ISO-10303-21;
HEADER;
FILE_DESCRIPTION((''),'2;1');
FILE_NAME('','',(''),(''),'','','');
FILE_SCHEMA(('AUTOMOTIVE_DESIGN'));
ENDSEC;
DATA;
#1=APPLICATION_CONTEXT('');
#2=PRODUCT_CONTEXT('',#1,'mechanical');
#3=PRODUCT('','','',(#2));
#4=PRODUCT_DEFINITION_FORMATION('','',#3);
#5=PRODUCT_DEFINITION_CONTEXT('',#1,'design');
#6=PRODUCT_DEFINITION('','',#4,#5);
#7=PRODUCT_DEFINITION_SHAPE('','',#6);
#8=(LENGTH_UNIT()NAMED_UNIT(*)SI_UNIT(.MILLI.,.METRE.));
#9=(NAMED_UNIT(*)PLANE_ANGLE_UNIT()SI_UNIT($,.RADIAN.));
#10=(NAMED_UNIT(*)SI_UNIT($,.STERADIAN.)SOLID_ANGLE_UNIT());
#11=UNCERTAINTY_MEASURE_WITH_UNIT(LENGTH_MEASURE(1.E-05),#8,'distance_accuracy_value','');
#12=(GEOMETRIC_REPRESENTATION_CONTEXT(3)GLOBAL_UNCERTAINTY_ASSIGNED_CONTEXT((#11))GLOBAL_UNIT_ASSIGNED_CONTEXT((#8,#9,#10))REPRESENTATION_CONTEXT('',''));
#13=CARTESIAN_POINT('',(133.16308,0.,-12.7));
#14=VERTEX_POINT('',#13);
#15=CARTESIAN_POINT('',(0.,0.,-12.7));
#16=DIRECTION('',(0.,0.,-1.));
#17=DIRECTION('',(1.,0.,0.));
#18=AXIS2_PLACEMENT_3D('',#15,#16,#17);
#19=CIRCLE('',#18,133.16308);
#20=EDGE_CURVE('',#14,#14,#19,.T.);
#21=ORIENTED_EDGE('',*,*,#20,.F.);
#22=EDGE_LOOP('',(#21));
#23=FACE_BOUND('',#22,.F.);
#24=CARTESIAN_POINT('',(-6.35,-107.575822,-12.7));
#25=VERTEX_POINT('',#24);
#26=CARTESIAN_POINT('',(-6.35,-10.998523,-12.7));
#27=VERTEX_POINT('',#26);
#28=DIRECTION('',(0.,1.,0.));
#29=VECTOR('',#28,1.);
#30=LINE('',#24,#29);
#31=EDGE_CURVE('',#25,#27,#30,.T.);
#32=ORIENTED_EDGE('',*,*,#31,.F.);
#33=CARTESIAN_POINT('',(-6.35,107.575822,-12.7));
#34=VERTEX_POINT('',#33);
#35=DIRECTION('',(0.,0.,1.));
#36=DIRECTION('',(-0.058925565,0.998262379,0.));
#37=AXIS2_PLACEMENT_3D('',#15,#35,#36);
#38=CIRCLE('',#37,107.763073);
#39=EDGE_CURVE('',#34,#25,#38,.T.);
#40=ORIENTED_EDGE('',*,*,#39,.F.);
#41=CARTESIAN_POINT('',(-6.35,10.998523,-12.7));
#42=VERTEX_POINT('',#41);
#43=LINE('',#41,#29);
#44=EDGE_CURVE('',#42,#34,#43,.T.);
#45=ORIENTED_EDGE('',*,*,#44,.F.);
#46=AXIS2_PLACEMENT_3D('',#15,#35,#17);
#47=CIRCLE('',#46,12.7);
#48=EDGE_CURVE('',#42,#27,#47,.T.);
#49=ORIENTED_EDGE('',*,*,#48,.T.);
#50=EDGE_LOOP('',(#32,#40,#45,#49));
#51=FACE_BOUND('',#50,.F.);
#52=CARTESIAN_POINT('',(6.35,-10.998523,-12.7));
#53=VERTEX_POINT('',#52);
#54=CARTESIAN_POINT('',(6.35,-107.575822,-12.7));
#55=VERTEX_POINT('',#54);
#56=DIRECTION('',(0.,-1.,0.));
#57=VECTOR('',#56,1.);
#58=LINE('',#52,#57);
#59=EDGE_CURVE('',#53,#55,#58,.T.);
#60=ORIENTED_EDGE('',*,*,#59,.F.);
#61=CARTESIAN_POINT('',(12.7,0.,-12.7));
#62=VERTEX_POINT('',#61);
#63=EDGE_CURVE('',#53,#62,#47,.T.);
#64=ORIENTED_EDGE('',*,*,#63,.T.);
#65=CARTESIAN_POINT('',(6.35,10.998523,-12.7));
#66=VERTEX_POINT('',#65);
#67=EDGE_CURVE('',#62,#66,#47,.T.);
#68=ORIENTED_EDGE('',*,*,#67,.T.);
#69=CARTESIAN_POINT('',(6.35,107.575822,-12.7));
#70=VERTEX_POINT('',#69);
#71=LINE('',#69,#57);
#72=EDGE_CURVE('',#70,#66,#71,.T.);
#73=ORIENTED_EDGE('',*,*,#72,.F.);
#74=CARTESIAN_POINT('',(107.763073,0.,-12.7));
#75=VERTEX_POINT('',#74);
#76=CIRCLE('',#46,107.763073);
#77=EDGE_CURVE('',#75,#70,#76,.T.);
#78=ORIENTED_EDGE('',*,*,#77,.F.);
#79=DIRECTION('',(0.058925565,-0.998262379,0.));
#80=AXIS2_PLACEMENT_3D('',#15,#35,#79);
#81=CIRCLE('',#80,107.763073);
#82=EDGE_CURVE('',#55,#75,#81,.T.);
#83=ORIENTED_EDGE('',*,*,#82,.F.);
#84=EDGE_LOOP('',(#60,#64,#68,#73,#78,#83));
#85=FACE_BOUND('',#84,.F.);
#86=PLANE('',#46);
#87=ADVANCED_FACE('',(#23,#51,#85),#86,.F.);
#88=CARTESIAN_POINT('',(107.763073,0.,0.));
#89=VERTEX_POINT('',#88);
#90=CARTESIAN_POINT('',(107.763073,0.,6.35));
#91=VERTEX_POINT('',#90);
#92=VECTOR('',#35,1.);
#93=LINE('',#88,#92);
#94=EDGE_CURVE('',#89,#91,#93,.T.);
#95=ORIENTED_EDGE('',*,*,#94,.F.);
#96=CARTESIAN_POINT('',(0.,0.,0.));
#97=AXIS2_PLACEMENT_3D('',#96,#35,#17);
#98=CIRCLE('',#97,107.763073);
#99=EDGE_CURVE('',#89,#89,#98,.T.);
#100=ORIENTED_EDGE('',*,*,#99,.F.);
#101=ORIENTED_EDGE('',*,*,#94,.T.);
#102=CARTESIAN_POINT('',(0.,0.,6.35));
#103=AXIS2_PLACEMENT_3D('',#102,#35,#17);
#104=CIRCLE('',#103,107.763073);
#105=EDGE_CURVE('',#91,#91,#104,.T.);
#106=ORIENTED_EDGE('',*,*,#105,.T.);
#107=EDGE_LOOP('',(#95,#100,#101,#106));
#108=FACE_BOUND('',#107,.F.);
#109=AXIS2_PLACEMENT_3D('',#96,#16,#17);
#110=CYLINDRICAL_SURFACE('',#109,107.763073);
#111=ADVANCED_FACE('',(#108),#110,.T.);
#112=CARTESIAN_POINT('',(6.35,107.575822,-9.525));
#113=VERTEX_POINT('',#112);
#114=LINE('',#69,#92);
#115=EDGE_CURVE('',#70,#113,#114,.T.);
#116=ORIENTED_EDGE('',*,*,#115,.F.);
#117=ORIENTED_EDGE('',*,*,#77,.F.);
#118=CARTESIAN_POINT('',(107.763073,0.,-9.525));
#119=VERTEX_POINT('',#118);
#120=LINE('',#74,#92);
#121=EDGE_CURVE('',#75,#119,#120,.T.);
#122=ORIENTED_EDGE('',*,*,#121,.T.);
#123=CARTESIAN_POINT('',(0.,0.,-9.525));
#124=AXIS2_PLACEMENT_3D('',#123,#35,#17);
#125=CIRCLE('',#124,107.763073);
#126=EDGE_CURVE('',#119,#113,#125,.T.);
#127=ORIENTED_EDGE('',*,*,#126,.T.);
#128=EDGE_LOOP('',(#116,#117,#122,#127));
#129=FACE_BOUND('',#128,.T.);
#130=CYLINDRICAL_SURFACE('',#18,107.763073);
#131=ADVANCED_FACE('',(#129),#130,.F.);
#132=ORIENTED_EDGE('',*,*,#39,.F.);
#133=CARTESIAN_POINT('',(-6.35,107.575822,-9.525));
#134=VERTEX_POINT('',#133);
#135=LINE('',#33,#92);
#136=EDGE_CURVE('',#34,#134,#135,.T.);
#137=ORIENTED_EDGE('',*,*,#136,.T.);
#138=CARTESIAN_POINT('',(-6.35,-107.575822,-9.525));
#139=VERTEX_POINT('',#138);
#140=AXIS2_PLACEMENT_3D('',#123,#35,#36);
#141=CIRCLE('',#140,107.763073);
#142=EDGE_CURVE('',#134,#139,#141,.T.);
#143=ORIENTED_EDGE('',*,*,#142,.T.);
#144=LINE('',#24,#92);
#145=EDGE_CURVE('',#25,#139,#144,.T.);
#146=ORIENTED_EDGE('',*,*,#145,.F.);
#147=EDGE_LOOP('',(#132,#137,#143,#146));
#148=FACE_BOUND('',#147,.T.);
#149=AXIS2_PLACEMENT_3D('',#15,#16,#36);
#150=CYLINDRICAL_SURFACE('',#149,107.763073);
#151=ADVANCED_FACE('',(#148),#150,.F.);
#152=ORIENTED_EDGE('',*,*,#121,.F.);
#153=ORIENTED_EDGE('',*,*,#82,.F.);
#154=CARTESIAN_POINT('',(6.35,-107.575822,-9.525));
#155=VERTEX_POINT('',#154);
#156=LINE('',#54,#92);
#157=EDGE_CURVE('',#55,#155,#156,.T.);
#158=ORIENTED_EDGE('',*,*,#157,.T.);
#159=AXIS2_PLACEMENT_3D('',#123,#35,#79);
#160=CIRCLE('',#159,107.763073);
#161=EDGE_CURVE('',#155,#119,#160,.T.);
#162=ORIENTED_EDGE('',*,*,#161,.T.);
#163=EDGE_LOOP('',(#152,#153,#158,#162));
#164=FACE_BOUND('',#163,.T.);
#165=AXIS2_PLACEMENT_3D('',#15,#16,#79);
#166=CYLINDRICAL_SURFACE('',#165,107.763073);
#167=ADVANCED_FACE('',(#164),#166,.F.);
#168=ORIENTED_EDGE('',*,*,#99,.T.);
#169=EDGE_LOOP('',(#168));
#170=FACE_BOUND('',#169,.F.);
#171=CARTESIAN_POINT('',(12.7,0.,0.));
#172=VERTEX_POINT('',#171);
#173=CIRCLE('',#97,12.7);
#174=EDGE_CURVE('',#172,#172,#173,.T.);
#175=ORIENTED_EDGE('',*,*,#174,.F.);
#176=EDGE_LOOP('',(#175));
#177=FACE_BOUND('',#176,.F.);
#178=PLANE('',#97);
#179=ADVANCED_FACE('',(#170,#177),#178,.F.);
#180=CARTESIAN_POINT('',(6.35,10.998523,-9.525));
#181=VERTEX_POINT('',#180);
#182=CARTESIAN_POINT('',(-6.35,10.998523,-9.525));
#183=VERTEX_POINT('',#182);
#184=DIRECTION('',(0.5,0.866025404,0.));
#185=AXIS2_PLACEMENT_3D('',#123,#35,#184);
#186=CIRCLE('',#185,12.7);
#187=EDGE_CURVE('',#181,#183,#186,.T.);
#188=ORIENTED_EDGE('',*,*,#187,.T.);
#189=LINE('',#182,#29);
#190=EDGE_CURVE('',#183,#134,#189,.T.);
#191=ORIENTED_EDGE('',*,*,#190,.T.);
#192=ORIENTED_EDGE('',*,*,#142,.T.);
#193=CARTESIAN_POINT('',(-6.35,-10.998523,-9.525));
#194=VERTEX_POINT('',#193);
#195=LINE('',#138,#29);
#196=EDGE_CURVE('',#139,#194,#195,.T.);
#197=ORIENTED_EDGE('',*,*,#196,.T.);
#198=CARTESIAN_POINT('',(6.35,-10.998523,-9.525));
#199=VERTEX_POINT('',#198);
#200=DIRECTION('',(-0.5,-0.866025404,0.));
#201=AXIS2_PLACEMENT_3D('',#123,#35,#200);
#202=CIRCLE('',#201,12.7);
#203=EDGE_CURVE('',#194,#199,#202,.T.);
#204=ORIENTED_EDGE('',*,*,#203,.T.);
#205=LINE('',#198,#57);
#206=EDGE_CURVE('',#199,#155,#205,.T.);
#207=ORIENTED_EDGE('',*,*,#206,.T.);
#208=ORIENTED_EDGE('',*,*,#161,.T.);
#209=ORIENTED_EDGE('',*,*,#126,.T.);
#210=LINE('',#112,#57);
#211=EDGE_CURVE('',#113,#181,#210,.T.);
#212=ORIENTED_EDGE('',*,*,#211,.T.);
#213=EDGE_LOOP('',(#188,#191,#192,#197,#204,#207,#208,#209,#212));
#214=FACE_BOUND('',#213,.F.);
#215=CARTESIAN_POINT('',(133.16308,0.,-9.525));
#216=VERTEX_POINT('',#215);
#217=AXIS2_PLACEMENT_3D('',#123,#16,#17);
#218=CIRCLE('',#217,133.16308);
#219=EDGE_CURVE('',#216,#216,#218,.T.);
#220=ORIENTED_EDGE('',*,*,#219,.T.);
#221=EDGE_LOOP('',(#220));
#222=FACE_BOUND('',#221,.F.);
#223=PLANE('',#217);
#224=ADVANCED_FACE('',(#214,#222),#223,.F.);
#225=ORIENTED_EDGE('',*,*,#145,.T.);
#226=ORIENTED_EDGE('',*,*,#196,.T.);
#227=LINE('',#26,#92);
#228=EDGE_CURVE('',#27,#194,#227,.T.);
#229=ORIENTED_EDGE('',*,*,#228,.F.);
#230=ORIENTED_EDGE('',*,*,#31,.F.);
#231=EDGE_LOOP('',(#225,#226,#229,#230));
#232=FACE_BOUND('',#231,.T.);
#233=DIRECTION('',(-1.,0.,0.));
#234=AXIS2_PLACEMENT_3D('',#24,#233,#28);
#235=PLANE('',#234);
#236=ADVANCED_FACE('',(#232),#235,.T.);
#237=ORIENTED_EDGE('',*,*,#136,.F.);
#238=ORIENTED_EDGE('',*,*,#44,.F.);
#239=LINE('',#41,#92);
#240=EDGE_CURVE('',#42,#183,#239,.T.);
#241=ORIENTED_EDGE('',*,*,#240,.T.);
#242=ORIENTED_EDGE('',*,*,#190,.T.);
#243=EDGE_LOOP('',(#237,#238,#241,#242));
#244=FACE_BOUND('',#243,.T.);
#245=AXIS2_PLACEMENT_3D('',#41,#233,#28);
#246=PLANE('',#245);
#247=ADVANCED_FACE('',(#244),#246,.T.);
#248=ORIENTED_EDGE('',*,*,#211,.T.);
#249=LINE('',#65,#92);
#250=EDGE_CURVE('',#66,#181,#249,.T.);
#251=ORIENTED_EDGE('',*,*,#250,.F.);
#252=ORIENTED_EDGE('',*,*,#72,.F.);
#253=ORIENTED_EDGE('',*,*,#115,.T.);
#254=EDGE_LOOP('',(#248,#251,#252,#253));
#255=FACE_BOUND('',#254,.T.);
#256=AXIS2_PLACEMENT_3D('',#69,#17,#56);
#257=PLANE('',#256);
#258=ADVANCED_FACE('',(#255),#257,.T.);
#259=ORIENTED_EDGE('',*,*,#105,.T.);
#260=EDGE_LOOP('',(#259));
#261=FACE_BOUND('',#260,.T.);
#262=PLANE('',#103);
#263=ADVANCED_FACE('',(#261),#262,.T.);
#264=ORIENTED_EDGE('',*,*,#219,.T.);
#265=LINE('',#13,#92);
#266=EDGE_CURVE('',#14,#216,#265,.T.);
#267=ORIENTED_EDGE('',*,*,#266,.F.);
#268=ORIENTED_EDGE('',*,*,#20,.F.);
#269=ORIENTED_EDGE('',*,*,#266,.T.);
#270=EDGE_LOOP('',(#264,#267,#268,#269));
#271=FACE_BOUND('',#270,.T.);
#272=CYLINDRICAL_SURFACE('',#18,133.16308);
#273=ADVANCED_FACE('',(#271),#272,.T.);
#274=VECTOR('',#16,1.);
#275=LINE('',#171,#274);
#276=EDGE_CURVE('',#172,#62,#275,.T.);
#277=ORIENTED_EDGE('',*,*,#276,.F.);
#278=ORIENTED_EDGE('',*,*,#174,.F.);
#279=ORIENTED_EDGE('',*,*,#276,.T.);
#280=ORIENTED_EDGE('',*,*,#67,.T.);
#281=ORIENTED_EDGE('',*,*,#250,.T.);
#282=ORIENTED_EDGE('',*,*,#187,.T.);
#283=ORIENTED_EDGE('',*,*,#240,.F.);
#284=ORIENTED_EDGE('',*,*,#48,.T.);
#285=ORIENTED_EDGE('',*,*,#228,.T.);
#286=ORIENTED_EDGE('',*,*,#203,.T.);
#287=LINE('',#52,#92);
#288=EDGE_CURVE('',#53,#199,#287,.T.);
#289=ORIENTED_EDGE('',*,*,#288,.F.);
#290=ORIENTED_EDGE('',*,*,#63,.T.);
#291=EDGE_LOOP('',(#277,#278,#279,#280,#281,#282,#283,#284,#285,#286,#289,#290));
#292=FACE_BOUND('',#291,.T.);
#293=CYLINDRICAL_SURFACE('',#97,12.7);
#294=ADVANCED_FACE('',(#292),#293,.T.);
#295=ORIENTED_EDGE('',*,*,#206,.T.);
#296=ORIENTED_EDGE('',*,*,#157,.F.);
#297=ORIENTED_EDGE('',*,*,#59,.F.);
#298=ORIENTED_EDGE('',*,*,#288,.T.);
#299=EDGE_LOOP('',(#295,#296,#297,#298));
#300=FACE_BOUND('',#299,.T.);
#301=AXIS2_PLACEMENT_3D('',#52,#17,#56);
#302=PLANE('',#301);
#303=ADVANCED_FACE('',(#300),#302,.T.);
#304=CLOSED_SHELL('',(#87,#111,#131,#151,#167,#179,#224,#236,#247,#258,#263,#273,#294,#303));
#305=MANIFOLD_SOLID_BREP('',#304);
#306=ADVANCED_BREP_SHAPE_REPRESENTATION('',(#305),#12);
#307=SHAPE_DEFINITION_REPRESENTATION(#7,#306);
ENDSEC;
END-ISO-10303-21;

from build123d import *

# Parameters (mm, degrees)
F0_R     = 107.7630734498
F0_R_2   = 12.7
F1_DEPTH = 6.35
F2_DEPTH = 12.7
F3_R     = 133.1630796194
F4_DEPTH = 3.175


with BuildPart() as f1:
    # F0 (on Top) → F1 (new body)
    with BuildSketch(Plane.XY):
        Circle(F0_R)
        Circle(F0_R_2, mode=Mode.SUBTRACT)
        Circle(F0_R_2)
    extrude(amount=F1_DEPTH)

    # F0 (on Top) → F2 (join)
    with BuildSketch(Plane.XY):
        Circle(F0_R_2)
    extrude(amount=-F2_DEPTH)

    # F3 (on face) → F4 (join)
    with BuildSketch(Plane(origin=(0, 0, -12.7), x_dir=(1, 0, 0), z_dir=(0, 0, -1))):
        Circle(F3_R)
        with BuildLine():
            ThreePointArc((6.35, 107.5758220947), (78.4129310629, 73.9208511955), (107.7630734498, 0))
            ThreePointArc((107.7630734498, 0), (78.4129310629, -73.9208511955), (6.35, -107.5758220947))
            Line((6.35, -107.5758220947), (6.35, -123.9275708795))
            Line((6.35, -123.9275708795), (-6.35, -123.9275708795))
            Line((-6.35, -123.9275708795), (-6.35, -107.5758220947))
            ThreePointArc((-6.35, -107.5758220947), (-107.7630734498, 0), (-6.35, 107.5758220947))
            Line((-6.35, 107.5758220947), (-6.35, 123.9275708795))
            Line((-6.35, 123.9275708795), (6.35, 123.9275708795))
            Line((6.35, 123.9275708795), (6.35, 107.5758220947))
        make_face(mode=Mode.SUBTRACT)
        with BuildLine():
            ThreePointArc((-6.35, -107.5758220947), (0, -107.7630734498), (6.35, -107.5758220947))
            Line((6.35, -107.5758220947), (6.35, -10.9985226281))
            ThreePointArc((6.35, -10.9985226281), (0, -12.7), (-6.35, -10.9985226281))
            Line((-6.35, -10.9985226281), (-6.35, -107.5758220947))
        make_face()
        with BuildLine():
            Line((6.35, 10.9985226281), (6.35, 107.5758220947))
            ThreePointArc((6.35, 107.5758220947), (0, 107.7630734498), (-6.35, 107.5758220947))
            Line((-6.35, 107.5758220947), (-6.35, 10.9985226281))
            ThreePointArc((-6.35, 10.9985226281), (0, 12.7), (6.35, 10.9985226281))
        make_face()
        with BuildLine():
            Line((6.35, -123.9275708795), (6.35, -107.5758220947))
            ThreePointArc((6.35, -107.5758220947), (0, -107.7630734498), (-6.35, -107.5758220947))
            Line((-6.35, -107.5758220947), (-6.35, -123.9275708795))
            Line((-6.35, -123.9275708795), (6.35, -123.9275708795))
        make_face()
        with BuildLine():
            ThreePointArc((-6.35, 107.5758220947), (0, 107.7630734498), (6.35, 107.5758220947))
            Line((6.35, 107.5758220947), (6.35, 123.9275708795))
            Line((6.35, 123.9275708795), (-6.35, 123.9275708795))
            Line((-6.35, 123.9275708795), (-6.35, 107.5758220947))
        make_face()
    extrude(amount=-F4_DEPTH)


solid = f1.part
